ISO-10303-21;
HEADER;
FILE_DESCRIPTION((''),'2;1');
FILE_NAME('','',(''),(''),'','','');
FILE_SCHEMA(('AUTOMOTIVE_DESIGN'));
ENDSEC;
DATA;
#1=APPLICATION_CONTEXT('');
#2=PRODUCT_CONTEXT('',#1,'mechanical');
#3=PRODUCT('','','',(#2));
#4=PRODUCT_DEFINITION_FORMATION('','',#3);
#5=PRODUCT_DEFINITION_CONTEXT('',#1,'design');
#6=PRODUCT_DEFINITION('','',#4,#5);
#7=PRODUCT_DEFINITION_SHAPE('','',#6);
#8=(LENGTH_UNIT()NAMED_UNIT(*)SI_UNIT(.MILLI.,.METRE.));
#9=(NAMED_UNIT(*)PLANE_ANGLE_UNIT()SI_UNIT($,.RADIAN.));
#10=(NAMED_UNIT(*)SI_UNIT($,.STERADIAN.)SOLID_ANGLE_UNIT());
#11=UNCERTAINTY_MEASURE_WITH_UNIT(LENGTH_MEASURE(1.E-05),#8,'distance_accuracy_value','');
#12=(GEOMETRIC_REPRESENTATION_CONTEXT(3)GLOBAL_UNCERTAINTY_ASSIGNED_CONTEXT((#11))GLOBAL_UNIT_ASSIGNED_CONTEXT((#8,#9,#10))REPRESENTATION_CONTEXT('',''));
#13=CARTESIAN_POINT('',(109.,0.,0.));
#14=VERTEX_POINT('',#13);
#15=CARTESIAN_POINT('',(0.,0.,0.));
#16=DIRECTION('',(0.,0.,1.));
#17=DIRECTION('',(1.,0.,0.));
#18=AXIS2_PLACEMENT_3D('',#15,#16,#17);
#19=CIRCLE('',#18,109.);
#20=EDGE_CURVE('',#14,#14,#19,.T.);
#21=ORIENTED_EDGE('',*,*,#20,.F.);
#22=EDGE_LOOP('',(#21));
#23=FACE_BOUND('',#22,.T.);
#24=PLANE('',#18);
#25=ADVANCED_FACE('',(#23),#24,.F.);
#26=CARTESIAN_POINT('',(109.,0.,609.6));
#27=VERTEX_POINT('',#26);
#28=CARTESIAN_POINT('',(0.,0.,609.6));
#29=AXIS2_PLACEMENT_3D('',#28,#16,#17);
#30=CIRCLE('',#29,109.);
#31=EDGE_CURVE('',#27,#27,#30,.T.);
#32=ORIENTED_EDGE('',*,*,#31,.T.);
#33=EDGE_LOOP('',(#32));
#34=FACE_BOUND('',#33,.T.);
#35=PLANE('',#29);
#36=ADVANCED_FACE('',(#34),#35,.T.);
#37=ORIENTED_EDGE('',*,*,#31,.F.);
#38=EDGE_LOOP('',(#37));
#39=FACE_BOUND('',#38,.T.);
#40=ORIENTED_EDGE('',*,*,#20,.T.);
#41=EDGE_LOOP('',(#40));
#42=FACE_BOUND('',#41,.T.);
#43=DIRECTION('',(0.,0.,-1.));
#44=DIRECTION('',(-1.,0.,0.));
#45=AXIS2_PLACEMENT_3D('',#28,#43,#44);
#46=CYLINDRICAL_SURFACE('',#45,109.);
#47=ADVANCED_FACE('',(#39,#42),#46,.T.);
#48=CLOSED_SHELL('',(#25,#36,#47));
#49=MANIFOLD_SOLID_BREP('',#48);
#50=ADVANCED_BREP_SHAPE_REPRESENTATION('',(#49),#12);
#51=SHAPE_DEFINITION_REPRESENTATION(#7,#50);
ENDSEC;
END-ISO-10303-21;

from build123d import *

# Parameters (mm, degrees)
SKETCH1_R           = 109
SKETCH1_R_2         = 100.2
BOSS_EXTRUDE1_DEPTH = 609.6
SKETCH2_R           = 100.2
BOSS_EXTRUDE2_DEPTH = 609.6


with BuildPart() as part:
    # Sketch1 → Boss-Extrude1 (new body)
    with BuildSketch(Plane.XY):
        Circle(SKETCH1_R)
        Circle(SKETCH1_R_2, mode=Mode.SUBTRACT)
    extrude(amount=BOSS_EXTRUDE1_DEPTH)

    # Sketch2 → Boss-Extrude2 (add)
    with BuildSketch(Plane(origin=(0, 0, 0), x_dir=(-1, 0, 0), z_dir=(0, 0, -1))):
        Circle(SKETCH2_R)
    extrude(amount=-BOSS_EXTRUDE2_DEPTH)


solid = part.part
